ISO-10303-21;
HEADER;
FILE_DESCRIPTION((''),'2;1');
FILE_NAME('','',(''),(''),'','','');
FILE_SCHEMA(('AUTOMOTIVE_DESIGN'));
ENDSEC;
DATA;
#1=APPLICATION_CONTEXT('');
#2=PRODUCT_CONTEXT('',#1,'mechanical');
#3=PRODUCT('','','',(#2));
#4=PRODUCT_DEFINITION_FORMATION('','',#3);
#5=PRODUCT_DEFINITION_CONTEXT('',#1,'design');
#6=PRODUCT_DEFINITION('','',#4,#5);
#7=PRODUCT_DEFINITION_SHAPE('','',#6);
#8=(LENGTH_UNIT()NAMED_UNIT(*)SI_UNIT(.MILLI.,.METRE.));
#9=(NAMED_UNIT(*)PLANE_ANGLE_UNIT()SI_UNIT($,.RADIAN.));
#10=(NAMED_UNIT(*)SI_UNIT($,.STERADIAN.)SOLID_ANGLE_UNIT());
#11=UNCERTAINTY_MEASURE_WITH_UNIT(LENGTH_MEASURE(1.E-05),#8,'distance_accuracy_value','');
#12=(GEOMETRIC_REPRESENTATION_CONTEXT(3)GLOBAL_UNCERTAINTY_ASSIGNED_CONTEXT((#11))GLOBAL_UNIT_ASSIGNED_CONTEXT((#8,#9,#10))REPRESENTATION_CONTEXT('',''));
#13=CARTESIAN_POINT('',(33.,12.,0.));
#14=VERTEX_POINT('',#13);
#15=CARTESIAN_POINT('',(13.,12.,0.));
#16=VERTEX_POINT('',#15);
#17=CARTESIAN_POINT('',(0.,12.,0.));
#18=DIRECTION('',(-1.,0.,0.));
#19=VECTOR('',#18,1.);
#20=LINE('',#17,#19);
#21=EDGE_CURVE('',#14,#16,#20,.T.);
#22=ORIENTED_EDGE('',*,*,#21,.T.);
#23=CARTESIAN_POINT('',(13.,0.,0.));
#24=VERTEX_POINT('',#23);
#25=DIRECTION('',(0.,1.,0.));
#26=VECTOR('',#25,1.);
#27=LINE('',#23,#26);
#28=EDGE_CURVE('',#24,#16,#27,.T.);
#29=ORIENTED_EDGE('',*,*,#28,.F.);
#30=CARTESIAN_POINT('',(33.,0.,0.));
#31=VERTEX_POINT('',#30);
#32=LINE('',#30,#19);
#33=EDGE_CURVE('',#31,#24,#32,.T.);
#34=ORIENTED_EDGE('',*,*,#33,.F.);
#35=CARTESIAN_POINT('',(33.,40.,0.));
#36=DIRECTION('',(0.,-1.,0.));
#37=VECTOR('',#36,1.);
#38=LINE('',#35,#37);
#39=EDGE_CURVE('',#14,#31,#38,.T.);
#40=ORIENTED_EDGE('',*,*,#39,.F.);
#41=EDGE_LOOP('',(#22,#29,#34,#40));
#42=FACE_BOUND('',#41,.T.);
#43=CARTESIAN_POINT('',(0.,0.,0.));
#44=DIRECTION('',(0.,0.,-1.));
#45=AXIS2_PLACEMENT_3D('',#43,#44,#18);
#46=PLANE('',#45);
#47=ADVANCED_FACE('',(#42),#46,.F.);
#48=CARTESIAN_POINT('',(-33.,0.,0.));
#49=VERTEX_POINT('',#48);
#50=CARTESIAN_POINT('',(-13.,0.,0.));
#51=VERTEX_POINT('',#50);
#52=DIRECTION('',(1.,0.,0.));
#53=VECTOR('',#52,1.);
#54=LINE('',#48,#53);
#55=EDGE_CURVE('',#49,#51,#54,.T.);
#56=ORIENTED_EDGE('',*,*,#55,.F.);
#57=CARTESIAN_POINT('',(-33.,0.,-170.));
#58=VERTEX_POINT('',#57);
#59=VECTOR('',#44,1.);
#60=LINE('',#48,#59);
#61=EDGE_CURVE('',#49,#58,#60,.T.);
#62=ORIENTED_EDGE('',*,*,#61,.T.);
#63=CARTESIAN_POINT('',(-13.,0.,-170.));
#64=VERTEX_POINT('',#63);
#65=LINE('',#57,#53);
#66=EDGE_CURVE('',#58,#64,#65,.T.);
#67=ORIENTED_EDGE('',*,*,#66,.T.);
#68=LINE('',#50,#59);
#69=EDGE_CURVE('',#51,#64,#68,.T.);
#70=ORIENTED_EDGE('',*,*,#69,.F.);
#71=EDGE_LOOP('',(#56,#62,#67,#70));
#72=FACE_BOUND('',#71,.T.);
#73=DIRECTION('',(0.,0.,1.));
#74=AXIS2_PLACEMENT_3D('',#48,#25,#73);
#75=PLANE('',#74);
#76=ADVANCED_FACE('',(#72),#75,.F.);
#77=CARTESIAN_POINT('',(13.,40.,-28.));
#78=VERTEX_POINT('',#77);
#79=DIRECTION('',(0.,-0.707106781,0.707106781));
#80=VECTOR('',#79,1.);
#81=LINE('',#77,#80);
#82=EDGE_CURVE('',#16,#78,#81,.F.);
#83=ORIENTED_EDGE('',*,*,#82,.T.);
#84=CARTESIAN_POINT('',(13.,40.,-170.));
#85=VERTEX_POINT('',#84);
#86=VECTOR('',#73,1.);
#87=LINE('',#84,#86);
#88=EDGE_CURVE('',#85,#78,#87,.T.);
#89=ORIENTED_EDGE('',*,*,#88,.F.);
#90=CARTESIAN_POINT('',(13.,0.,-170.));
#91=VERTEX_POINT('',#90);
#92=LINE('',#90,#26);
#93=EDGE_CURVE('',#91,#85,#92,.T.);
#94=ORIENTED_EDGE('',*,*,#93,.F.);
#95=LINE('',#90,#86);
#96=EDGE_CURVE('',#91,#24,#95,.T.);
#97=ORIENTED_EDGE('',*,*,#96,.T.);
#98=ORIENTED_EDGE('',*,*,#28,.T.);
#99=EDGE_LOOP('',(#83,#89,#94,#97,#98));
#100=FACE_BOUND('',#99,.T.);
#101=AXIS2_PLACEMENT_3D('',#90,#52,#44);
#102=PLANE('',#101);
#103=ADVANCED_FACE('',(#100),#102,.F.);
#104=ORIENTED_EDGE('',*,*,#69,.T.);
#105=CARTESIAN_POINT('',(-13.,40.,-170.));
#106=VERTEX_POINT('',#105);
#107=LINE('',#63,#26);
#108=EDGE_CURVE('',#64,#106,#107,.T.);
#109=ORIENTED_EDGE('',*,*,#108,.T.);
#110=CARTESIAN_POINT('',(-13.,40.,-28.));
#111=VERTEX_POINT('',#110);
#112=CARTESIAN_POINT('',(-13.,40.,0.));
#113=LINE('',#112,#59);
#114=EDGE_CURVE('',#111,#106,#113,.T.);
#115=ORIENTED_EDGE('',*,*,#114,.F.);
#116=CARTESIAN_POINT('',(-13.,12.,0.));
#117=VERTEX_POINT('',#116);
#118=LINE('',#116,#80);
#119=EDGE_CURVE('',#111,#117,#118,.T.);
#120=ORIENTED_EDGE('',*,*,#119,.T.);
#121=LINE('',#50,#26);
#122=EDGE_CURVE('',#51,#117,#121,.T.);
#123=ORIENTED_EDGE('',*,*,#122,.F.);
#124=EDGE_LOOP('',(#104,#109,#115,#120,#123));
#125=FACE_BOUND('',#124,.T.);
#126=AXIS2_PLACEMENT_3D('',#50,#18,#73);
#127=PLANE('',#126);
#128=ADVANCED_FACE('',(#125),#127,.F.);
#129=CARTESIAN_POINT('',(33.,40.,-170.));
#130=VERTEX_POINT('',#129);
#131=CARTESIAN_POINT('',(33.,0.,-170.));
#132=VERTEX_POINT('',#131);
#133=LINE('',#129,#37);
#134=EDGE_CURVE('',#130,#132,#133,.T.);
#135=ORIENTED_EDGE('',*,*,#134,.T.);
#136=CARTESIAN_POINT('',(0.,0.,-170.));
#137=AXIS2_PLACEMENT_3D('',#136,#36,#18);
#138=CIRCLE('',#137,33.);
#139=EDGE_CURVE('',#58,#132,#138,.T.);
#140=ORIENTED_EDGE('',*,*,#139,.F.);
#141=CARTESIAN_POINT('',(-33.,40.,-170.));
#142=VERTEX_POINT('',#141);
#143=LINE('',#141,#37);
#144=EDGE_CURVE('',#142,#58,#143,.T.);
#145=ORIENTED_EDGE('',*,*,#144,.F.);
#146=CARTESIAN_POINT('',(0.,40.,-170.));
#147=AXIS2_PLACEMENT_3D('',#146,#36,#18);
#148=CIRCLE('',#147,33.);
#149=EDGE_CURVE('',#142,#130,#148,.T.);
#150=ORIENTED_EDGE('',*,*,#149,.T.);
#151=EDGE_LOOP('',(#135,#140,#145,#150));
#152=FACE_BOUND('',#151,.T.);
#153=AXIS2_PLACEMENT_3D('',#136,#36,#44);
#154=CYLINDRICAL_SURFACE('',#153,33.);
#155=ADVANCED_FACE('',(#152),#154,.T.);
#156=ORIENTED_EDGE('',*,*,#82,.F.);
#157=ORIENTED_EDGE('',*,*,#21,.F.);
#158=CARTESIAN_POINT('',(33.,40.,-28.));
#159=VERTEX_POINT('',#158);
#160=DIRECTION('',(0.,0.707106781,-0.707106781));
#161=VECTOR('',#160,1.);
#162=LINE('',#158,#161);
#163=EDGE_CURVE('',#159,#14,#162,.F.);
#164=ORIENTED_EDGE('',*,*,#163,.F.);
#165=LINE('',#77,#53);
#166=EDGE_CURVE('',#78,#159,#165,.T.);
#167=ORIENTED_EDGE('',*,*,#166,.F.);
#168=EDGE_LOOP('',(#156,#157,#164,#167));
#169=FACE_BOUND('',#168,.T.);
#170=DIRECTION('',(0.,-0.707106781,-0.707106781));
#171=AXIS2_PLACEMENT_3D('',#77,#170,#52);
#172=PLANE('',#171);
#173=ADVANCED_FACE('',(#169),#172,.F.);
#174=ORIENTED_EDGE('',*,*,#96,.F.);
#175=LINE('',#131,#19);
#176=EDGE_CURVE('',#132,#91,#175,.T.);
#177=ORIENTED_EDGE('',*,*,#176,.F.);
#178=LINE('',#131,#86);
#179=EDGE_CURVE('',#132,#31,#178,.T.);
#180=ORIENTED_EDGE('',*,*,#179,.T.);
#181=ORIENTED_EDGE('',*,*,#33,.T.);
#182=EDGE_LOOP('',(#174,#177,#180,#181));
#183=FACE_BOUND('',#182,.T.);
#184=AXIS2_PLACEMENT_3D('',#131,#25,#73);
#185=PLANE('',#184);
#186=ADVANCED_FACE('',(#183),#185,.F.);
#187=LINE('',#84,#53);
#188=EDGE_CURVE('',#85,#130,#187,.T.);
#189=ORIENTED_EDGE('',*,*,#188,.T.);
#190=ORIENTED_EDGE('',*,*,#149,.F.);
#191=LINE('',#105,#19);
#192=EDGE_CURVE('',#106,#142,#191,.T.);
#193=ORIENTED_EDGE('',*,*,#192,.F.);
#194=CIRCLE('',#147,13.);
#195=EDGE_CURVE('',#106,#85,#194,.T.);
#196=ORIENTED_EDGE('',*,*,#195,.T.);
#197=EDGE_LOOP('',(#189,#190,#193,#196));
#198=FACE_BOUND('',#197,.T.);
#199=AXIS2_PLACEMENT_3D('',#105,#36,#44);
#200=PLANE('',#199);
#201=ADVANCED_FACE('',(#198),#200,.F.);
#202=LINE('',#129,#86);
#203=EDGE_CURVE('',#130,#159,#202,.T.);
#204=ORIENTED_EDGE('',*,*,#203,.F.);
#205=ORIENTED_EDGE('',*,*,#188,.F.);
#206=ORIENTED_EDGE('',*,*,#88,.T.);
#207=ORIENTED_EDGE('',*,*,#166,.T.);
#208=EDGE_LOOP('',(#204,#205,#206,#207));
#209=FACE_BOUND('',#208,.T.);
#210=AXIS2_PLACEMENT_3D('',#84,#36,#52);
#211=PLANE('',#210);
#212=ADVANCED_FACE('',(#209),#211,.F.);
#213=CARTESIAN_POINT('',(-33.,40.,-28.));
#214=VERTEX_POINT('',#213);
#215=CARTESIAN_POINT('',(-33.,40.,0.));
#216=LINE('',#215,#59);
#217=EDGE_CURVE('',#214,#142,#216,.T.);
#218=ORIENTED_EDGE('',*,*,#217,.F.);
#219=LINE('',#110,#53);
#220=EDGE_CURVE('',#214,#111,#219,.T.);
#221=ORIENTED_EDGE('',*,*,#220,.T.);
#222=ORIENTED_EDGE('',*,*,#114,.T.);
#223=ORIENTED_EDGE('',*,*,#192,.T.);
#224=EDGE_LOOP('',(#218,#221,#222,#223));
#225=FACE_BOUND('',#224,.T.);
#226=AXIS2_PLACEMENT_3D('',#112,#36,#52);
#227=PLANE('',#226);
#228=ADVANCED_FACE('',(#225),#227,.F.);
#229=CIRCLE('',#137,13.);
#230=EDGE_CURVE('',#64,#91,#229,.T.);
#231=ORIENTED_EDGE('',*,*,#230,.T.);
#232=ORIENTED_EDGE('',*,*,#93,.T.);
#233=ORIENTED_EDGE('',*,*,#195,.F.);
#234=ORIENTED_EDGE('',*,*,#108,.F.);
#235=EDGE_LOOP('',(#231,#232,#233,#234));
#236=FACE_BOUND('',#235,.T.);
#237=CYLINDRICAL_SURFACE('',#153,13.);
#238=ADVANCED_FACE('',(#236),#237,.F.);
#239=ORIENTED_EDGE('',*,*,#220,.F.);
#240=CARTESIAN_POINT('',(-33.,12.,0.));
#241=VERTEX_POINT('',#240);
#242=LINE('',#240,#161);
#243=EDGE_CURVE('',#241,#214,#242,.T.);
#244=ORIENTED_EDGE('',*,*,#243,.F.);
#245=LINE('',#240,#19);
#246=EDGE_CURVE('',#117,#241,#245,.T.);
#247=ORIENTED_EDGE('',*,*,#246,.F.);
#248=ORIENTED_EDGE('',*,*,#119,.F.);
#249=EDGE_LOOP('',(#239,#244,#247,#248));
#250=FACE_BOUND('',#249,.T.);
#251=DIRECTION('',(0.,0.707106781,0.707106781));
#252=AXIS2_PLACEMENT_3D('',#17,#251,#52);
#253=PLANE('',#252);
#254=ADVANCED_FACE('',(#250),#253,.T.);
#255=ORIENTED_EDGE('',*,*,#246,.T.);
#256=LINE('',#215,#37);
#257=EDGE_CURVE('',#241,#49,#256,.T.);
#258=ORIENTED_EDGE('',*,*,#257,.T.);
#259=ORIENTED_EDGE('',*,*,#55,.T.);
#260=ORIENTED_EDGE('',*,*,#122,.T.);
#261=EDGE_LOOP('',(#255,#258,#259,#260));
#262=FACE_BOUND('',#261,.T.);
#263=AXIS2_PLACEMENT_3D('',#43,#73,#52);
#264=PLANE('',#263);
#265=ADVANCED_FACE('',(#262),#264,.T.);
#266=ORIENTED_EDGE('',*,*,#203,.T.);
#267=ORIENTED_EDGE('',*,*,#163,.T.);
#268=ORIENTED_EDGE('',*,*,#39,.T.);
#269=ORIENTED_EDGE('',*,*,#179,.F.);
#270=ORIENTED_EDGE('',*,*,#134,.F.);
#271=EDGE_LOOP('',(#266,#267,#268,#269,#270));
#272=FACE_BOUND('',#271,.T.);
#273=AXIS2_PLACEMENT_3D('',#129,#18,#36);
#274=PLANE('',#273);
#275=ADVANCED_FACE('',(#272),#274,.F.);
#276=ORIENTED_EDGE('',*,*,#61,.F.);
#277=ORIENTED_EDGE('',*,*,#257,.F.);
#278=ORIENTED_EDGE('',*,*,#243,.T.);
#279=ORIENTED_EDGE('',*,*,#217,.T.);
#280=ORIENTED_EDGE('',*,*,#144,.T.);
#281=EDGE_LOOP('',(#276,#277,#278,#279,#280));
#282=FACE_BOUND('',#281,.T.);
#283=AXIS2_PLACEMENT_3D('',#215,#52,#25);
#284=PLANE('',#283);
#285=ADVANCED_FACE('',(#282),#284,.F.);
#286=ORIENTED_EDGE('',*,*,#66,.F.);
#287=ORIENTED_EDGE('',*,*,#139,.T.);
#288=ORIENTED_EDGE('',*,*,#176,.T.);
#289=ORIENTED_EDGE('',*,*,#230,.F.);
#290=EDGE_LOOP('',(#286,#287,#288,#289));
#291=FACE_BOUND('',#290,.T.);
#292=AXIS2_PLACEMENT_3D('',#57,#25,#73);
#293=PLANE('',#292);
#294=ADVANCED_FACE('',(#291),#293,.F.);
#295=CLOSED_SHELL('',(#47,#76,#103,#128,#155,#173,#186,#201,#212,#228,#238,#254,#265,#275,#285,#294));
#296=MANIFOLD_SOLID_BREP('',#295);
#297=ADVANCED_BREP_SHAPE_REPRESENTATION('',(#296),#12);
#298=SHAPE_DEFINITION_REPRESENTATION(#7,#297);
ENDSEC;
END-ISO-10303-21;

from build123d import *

# Parameters (mm, degrees)
SKETCH1_W     = 20
SKETCH1_H     = 40
CHAMFER1_SIZE = 28


with BuildPart() as part:
    # Sweep1: sweep along a path in Sketch2
    with BuildLine(Plane(origin=(0, 0, 0), x_dir=(1, 0, 0), z_dir=(0, 1, 0))) as sweep1_path:
        Line((-13, 0), (-13, 170))
        ThreePointArc((-13, 170), (0, 183), (13, 170))
        Line((13, 170), (13, 0))
    # Sketch1 → Sweep1 (sweep)
    with BuildSketch(Plane.XY):
        with Locations((-23, 20)):
            Rectangle(SKETCH1_W, SKETCH1_H)
    sweep(path=sweep1_path.line)

    # Chamfer1
    chamfer1_edges = [part.edges().sort_by_distance(p)[0] for p in [
        (-23, 40, 0),
        (23, 40, 0),
    ]]
    chamfer(chamfer1_edges, length=CHAMFER1_SIZE)


solid = part.part
